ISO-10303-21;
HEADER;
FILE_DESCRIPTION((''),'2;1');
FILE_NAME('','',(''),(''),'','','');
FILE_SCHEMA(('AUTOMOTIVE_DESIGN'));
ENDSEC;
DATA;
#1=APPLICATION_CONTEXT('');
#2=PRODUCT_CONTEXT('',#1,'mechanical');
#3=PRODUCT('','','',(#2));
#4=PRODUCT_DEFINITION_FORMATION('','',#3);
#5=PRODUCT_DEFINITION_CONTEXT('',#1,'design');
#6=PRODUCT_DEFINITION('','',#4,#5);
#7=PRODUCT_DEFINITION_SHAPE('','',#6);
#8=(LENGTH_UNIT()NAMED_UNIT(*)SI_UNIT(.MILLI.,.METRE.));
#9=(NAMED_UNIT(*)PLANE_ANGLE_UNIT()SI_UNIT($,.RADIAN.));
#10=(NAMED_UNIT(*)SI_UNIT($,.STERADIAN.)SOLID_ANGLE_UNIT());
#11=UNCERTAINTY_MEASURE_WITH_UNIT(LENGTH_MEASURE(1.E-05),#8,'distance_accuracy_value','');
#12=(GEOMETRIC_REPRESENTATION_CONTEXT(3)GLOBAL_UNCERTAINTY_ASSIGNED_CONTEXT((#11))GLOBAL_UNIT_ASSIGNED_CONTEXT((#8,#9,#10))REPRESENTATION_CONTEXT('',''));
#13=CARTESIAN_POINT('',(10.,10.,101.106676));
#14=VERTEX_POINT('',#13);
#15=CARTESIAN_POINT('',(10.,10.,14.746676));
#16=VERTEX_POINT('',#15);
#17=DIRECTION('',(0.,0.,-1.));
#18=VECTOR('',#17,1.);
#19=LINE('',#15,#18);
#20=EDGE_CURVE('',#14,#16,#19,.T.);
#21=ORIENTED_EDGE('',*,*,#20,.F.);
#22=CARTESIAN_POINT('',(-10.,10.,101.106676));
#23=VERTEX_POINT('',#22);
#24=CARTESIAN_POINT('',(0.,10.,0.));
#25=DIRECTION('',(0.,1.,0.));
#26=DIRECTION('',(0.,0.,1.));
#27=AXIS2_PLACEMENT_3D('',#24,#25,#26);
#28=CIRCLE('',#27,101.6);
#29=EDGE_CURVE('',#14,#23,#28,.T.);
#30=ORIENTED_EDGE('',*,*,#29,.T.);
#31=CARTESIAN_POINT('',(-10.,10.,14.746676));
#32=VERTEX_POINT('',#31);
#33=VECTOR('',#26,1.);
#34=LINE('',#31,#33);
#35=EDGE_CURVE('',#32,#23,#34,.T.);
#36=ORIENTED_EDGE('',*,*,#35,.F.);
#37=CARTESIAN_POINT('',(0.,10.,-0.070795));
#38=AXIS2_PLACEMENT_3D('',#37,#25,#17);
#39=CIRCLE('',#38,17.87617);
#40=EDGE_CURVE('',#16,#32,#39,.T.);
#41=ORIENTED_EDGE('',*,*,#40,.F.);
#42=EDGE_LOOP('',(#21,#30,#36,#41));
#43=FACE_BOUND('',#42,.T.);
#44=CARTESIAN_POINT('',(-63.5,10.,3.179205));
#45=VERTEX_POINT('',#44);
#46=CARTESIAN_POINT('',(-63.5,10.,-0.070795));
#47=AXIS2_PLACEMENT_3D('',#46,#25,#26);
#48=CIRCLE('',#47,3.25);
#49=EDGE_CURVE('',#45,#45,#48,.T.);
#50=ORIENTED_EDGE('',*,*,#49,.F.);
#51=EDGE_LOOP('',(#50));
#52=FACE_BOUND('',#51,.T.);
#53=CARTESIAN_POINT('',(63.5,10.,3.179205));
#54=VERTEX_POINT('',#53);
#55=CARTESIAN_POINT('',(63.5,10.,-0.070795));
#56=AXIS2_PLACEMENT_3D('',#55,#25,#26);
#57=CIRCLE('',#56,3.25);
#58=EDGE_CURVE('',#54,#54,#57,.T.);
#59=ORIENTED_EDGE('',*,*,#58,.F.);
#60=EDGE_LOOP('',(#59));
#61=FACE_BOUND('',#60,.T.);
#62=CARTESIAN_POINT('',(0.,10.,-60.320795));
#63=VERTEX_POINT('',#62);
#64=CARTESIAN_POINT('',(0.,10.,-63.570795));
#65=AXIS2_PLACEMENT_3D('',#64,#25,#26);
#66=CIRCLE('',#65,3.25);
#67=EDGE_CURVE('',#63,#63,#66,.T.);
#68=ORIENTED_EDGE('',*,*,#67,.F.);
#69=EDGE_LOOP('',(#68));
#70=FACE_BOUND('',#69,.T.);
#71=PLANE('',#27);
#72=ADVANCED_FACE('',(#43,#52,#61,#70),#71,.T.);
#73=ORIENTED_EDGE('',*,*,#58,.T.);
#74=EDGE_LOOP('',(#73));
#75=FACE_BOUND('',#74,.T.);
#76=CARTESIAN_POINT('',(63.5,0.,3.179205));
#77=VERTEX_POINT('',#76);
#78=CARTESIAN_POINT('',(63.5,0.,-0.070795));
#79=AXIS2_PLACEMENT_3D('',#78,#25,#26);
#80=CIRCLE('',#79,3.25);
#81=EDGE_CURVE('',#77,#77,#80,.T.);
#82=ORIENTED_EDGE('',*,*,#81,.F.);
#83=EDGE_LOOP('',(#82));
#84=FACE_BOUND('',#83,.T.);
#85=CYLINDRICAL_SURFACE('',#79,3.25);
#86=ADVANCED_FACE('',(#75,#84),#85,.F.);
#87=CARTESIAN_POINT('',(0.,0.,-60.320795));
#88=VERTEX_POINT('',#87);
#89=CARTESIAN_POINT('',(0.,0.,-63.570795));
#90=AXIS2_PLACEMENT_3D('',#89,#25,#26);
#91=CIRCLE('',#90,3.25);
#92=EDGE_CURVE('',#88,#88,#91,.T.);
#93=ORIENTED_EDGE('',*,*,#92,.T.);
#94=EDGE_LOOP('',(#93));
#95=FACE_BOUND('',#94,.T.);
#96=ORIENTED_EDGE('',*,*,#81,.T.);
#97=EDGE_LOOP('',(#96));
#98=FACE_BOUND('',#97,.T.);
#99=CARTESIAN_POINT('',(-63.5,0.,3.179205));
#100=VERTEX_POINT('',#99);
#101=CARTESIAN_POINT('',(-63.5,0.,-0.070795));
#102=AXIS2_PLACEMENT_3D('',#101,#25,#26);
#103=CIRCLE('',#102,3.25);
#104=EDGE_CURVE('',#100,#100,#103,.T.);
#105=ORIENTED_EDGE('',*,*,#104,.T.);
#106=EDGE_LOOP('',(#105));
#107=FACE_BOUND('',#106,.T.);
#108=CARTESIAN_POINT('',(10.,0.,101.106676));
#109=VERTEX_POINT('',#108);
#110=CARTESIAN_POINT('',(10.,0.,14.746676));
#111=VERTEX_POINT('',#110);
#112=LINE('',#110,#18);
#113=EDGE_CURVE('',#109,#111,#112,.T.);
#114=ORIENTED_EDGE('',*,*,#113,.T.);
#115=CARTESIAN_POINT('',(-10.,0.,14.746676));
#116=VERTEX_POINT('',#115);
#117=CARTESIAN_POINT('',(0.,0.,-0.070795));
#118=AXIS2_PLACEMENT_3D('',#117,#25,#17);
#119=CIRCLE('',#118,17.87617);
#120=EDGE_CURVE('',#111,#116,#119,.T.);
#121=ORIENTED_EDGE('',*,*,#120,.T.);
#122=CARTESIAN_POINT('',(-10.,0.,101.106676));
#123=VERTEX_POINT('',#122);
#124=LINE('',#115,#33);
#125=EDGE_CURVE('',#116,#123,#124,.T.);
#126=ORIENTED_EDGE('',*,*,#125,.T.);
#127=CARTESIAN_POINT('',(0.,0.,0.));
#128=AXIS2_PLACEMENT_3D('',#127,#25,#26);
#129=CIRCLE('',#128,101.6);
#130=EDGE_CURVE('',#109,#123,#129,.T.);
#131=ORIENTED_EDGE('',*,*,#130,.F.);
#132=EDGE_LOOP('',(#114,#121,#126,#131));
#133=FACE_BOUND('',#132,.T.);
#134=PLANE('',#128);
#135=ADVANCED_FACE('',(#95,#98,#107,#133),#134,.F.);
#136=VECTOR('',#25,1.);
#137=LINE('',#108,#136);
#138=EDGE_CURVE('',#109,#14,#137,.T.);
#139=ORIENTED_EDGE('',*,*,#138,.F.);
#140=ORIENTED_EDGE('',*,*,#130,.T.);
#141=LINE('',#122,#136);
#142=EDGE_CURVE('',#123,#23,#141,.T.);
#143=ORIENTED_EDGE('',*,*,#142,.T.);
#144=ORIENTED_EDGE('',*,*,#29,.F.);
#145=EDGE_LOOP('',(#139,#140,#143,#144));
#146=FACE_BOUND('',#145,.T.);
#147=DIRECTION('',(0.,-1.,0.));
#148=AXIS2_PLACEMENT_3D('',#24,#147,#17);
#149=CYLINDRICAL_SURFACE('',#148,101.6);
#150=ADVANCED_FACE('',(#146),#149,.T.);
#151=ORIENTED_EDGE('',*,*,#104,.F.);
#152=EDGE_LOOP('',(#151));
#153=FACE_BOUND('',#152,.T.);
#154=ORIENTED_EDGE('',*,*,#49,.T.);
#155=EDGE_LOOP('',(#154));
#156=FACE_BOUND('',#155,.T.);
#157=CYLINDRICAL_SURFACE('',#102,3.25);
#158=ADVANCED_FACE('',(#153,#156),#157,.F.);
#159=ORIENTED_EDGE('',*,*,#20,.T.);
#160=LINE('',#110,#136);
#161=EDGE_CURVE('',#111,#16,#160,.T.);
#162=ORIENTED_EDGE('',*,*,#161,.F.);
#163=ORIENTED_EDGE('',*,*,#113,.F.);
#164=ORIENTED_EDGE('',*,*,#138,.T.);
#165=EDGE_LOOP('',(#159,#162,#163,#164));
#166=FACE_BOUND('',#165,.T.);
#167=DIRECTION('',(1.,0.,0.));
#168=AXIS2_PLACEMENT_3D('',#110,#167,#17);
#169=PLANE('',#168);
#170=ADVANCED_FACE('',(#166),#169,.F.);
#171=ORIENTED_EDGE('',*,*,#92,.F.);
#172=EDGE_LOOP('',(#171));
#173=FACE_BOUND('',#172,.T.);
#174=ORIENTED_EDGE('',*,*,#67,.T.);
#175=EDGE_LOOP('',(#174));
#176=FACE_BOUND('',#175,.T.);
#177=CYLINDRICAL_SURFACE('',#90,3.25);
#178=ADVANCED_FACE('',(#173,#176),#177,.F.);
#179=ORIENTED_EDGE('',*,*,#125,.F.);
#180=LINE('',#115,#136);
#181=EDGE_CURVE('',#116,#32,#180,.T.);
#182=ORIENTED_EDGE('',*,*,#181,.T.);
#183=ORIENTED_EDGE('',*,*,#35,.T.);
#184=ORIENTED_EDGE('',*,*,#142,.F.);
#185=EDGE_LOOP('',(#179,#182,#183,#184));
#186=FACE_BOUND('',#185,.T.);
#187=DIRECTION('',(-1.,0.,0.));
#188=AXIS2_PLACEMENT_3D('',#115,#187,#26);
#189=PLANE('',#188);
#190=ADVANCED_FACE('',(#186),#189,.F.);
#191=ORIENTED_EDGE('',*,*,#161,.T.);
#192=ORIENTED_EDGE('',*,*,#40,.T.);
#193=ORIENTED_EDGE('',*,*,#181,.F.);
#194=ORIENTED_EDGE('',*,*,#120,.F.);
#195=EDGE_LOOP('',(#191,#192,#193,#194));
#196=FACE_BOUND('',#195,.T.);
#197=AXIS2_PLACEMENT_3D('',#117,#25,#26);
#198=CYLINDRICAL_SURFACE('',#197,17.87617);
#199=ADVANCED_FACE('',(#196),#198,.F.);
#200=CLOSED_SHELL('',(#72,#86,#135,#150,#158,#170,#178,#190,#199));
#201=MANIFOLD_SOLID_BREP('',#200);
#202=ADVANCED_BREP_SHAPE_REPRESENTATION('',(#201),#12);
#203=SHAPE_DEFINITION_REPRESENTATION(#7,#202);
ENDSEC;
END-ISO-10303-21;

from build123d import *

# Parameters (mm, degrees)
SKETCH1_R           = 101.6
BOSS_EXTRUDE1_DEPTH = 10
SKETCH2_R           = 3.25
CUT_EXTRUDE1_DEPTH  = 145.031663186


with BuildPart() as part:
    # Sketch1 → Boss-Extrude1 (new body)
    with BuildSketch(Plane(origin=(0, 0, 0), x_dir=(1, 0, 0), z_dir=(0, 1, 0))):
        with Locations(Location((0, 0, 0), (0, 0, 270))):
            Circle(SKETCH1_R)
    extrude(amount=BOSS_EXTRUDE1_DEPTH)

    # Sketch2 → Cut-Extrude1 (cut, through all)
    with BuildSketch(Plane(origin=(0, 10, 0), x_dir=(1, 0, 0), z_dir=(0, 1, 0))):
        with Locations(Location((63.5, 0.070795045, 0), (0, 0, 270))):
            Circle(SKETCH2_R)
        with Locations(Location((-63.5, 0.070795045, 0), (0, 0, 270))):
            Circle(SKETCH2_R)
        with Locations(Location((0, 63.570795045, 0), (0, 0, 270))):
            Circle(SKETCH2_R)
        with BuildLine():
            Line((10, -14.746676337), (10, -101.106676337))
            ThreePointArc((10, -101.106676337), (0, -101.6), (-10, -101.106676337))
            Line((-10, -101.106676337), (-10, -14.746676337))
            ThreePointArc((-10, -14.746676337), (0, 17.946965165), (10, -14.746676337))
        make_face()
    extrude(amount=-CUT_EXTRUDE1_DEPTH, mode=Mode.SUBTRACT)


solid = part.part
